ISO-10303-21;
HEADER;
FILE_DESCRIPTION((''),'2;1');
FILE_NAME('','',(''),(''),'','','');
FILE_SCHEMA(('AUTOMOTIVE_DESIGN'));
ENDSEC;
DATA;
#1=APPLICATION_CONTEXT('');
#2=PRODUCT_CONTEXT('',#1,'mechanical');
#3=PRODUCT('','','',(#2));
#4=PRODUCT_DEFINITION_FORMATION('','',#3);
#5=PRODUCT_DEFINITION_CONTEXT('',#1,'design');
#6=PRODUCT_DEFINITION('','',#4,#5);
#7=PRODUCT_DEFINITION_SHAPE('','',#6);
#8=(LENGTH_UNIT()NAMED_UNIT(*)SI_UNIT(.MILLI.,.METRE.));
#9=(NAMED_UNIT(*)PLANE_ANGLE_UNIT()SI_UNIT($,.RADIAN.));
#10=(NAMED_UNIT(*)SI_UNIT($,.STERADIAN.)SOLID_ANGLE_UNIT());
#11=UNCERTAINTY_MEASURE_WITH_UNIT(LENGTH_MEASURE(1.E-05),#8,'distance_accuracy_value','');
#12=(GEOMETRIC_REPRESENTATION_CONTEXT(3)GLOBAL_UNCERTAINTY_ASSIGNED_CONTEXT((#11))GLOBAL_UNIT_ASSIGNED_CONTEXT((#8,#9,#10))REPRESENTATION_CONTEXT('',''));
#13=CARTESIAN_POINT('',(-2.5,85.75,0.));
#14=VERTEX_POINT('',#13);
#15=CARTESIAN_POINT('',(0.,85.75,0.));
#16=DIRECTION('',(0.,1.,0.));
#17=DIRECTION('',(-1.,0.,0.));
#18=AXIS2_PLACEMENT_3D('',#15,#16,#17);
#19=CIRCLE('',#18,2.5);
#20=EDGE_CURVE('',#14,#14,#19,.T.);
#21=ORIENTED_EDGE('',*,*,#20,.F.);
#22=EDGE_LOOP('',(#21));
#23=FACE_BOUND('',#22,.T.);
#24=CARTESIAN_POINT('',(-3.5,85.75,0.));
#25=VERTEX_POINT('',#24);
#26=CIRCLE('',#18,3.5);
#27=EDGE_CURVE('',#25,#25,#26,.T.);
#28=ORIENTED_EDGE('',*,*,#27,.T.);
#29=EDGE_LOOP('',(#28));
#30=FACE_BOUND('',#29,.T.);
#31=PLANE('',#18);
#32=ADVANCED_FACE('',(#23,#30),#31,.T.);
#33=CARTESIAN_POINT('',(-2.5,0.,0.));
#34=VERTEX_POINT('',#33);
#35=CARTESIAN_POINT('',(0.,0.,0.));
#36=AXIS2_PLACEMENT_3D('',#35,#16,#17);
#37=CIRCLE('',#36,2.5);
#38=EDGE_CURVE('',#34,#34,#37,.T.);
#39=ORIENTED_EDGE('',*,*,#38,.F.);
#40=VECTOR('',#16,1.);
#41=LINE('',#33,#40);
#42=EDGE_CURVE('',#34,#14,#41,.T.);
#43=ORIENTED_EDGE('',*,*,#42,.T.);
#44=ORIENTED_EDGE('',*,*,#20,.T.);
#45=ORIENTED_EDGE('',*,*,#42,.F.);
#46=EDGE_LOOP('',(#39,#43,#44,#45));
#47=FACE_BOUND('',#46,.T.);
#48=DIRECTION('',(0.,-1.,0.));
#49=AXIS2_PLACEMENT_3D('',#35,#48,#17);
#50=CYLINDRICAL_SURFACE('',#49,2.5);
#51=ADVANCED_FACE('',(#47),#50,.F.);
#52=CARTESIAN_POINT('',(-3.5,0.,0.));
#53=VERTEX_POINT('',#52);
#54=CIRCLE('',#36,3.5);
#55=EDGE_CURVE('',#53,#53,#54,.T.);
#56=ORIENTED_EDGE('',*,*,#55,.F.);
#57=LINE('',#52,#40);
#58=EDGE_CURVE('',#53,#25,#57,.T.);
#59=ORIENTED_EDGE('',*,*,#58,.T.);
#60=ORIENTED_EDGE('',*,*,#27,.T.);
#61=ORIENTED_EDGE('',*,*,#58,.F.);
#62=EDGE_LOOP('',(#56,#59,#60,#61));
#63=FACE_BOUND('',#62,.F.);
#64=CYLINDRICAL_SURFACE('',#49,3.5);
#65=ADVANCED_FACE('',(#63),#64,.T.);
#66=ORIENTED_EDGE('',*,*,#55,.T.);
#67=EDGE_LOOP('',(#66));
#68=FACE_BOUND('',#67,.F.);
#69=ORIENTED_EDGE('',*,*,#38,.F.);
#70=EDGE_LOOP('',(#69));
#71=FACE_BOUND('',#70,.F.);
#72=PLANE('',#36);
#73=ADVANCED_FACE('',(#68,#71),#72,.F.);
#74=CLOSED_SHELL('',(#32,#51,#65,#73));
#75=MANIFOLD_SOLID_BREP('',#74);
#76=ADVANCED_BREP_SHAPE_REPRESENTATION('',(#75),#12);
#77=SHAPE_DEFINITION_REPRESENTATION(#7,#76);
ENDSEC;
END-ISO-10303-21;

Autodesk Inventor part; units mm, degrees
ref_plane "YZ Plane" through (0, 0, 0) normal (1, 0, 0) x (0, 1, 0)
ref_plane "XZ Plane" through (0, 0, 0) normal (0, 1, 0) x (-1, 0, 0)
ref_plane "XY Plane" through (0, 0, 0) normal (0, 0, 1) x (1, 0, 0)
sketch "Sketch1" plane through (0, 0, 0) normal (0, 1, 0) x (-1, 0, 0)
  circle A0 centre (0, 0) radius 2.5
  circle A1 centre (0, 0) radius 3.5
  dimension "d0" = 5
  dimension "d1" = 7
extrude "Extrusion1" add sketch "Sketch1" along normal blind 85.75
properties part number "Upper_Rod_Spacer"
